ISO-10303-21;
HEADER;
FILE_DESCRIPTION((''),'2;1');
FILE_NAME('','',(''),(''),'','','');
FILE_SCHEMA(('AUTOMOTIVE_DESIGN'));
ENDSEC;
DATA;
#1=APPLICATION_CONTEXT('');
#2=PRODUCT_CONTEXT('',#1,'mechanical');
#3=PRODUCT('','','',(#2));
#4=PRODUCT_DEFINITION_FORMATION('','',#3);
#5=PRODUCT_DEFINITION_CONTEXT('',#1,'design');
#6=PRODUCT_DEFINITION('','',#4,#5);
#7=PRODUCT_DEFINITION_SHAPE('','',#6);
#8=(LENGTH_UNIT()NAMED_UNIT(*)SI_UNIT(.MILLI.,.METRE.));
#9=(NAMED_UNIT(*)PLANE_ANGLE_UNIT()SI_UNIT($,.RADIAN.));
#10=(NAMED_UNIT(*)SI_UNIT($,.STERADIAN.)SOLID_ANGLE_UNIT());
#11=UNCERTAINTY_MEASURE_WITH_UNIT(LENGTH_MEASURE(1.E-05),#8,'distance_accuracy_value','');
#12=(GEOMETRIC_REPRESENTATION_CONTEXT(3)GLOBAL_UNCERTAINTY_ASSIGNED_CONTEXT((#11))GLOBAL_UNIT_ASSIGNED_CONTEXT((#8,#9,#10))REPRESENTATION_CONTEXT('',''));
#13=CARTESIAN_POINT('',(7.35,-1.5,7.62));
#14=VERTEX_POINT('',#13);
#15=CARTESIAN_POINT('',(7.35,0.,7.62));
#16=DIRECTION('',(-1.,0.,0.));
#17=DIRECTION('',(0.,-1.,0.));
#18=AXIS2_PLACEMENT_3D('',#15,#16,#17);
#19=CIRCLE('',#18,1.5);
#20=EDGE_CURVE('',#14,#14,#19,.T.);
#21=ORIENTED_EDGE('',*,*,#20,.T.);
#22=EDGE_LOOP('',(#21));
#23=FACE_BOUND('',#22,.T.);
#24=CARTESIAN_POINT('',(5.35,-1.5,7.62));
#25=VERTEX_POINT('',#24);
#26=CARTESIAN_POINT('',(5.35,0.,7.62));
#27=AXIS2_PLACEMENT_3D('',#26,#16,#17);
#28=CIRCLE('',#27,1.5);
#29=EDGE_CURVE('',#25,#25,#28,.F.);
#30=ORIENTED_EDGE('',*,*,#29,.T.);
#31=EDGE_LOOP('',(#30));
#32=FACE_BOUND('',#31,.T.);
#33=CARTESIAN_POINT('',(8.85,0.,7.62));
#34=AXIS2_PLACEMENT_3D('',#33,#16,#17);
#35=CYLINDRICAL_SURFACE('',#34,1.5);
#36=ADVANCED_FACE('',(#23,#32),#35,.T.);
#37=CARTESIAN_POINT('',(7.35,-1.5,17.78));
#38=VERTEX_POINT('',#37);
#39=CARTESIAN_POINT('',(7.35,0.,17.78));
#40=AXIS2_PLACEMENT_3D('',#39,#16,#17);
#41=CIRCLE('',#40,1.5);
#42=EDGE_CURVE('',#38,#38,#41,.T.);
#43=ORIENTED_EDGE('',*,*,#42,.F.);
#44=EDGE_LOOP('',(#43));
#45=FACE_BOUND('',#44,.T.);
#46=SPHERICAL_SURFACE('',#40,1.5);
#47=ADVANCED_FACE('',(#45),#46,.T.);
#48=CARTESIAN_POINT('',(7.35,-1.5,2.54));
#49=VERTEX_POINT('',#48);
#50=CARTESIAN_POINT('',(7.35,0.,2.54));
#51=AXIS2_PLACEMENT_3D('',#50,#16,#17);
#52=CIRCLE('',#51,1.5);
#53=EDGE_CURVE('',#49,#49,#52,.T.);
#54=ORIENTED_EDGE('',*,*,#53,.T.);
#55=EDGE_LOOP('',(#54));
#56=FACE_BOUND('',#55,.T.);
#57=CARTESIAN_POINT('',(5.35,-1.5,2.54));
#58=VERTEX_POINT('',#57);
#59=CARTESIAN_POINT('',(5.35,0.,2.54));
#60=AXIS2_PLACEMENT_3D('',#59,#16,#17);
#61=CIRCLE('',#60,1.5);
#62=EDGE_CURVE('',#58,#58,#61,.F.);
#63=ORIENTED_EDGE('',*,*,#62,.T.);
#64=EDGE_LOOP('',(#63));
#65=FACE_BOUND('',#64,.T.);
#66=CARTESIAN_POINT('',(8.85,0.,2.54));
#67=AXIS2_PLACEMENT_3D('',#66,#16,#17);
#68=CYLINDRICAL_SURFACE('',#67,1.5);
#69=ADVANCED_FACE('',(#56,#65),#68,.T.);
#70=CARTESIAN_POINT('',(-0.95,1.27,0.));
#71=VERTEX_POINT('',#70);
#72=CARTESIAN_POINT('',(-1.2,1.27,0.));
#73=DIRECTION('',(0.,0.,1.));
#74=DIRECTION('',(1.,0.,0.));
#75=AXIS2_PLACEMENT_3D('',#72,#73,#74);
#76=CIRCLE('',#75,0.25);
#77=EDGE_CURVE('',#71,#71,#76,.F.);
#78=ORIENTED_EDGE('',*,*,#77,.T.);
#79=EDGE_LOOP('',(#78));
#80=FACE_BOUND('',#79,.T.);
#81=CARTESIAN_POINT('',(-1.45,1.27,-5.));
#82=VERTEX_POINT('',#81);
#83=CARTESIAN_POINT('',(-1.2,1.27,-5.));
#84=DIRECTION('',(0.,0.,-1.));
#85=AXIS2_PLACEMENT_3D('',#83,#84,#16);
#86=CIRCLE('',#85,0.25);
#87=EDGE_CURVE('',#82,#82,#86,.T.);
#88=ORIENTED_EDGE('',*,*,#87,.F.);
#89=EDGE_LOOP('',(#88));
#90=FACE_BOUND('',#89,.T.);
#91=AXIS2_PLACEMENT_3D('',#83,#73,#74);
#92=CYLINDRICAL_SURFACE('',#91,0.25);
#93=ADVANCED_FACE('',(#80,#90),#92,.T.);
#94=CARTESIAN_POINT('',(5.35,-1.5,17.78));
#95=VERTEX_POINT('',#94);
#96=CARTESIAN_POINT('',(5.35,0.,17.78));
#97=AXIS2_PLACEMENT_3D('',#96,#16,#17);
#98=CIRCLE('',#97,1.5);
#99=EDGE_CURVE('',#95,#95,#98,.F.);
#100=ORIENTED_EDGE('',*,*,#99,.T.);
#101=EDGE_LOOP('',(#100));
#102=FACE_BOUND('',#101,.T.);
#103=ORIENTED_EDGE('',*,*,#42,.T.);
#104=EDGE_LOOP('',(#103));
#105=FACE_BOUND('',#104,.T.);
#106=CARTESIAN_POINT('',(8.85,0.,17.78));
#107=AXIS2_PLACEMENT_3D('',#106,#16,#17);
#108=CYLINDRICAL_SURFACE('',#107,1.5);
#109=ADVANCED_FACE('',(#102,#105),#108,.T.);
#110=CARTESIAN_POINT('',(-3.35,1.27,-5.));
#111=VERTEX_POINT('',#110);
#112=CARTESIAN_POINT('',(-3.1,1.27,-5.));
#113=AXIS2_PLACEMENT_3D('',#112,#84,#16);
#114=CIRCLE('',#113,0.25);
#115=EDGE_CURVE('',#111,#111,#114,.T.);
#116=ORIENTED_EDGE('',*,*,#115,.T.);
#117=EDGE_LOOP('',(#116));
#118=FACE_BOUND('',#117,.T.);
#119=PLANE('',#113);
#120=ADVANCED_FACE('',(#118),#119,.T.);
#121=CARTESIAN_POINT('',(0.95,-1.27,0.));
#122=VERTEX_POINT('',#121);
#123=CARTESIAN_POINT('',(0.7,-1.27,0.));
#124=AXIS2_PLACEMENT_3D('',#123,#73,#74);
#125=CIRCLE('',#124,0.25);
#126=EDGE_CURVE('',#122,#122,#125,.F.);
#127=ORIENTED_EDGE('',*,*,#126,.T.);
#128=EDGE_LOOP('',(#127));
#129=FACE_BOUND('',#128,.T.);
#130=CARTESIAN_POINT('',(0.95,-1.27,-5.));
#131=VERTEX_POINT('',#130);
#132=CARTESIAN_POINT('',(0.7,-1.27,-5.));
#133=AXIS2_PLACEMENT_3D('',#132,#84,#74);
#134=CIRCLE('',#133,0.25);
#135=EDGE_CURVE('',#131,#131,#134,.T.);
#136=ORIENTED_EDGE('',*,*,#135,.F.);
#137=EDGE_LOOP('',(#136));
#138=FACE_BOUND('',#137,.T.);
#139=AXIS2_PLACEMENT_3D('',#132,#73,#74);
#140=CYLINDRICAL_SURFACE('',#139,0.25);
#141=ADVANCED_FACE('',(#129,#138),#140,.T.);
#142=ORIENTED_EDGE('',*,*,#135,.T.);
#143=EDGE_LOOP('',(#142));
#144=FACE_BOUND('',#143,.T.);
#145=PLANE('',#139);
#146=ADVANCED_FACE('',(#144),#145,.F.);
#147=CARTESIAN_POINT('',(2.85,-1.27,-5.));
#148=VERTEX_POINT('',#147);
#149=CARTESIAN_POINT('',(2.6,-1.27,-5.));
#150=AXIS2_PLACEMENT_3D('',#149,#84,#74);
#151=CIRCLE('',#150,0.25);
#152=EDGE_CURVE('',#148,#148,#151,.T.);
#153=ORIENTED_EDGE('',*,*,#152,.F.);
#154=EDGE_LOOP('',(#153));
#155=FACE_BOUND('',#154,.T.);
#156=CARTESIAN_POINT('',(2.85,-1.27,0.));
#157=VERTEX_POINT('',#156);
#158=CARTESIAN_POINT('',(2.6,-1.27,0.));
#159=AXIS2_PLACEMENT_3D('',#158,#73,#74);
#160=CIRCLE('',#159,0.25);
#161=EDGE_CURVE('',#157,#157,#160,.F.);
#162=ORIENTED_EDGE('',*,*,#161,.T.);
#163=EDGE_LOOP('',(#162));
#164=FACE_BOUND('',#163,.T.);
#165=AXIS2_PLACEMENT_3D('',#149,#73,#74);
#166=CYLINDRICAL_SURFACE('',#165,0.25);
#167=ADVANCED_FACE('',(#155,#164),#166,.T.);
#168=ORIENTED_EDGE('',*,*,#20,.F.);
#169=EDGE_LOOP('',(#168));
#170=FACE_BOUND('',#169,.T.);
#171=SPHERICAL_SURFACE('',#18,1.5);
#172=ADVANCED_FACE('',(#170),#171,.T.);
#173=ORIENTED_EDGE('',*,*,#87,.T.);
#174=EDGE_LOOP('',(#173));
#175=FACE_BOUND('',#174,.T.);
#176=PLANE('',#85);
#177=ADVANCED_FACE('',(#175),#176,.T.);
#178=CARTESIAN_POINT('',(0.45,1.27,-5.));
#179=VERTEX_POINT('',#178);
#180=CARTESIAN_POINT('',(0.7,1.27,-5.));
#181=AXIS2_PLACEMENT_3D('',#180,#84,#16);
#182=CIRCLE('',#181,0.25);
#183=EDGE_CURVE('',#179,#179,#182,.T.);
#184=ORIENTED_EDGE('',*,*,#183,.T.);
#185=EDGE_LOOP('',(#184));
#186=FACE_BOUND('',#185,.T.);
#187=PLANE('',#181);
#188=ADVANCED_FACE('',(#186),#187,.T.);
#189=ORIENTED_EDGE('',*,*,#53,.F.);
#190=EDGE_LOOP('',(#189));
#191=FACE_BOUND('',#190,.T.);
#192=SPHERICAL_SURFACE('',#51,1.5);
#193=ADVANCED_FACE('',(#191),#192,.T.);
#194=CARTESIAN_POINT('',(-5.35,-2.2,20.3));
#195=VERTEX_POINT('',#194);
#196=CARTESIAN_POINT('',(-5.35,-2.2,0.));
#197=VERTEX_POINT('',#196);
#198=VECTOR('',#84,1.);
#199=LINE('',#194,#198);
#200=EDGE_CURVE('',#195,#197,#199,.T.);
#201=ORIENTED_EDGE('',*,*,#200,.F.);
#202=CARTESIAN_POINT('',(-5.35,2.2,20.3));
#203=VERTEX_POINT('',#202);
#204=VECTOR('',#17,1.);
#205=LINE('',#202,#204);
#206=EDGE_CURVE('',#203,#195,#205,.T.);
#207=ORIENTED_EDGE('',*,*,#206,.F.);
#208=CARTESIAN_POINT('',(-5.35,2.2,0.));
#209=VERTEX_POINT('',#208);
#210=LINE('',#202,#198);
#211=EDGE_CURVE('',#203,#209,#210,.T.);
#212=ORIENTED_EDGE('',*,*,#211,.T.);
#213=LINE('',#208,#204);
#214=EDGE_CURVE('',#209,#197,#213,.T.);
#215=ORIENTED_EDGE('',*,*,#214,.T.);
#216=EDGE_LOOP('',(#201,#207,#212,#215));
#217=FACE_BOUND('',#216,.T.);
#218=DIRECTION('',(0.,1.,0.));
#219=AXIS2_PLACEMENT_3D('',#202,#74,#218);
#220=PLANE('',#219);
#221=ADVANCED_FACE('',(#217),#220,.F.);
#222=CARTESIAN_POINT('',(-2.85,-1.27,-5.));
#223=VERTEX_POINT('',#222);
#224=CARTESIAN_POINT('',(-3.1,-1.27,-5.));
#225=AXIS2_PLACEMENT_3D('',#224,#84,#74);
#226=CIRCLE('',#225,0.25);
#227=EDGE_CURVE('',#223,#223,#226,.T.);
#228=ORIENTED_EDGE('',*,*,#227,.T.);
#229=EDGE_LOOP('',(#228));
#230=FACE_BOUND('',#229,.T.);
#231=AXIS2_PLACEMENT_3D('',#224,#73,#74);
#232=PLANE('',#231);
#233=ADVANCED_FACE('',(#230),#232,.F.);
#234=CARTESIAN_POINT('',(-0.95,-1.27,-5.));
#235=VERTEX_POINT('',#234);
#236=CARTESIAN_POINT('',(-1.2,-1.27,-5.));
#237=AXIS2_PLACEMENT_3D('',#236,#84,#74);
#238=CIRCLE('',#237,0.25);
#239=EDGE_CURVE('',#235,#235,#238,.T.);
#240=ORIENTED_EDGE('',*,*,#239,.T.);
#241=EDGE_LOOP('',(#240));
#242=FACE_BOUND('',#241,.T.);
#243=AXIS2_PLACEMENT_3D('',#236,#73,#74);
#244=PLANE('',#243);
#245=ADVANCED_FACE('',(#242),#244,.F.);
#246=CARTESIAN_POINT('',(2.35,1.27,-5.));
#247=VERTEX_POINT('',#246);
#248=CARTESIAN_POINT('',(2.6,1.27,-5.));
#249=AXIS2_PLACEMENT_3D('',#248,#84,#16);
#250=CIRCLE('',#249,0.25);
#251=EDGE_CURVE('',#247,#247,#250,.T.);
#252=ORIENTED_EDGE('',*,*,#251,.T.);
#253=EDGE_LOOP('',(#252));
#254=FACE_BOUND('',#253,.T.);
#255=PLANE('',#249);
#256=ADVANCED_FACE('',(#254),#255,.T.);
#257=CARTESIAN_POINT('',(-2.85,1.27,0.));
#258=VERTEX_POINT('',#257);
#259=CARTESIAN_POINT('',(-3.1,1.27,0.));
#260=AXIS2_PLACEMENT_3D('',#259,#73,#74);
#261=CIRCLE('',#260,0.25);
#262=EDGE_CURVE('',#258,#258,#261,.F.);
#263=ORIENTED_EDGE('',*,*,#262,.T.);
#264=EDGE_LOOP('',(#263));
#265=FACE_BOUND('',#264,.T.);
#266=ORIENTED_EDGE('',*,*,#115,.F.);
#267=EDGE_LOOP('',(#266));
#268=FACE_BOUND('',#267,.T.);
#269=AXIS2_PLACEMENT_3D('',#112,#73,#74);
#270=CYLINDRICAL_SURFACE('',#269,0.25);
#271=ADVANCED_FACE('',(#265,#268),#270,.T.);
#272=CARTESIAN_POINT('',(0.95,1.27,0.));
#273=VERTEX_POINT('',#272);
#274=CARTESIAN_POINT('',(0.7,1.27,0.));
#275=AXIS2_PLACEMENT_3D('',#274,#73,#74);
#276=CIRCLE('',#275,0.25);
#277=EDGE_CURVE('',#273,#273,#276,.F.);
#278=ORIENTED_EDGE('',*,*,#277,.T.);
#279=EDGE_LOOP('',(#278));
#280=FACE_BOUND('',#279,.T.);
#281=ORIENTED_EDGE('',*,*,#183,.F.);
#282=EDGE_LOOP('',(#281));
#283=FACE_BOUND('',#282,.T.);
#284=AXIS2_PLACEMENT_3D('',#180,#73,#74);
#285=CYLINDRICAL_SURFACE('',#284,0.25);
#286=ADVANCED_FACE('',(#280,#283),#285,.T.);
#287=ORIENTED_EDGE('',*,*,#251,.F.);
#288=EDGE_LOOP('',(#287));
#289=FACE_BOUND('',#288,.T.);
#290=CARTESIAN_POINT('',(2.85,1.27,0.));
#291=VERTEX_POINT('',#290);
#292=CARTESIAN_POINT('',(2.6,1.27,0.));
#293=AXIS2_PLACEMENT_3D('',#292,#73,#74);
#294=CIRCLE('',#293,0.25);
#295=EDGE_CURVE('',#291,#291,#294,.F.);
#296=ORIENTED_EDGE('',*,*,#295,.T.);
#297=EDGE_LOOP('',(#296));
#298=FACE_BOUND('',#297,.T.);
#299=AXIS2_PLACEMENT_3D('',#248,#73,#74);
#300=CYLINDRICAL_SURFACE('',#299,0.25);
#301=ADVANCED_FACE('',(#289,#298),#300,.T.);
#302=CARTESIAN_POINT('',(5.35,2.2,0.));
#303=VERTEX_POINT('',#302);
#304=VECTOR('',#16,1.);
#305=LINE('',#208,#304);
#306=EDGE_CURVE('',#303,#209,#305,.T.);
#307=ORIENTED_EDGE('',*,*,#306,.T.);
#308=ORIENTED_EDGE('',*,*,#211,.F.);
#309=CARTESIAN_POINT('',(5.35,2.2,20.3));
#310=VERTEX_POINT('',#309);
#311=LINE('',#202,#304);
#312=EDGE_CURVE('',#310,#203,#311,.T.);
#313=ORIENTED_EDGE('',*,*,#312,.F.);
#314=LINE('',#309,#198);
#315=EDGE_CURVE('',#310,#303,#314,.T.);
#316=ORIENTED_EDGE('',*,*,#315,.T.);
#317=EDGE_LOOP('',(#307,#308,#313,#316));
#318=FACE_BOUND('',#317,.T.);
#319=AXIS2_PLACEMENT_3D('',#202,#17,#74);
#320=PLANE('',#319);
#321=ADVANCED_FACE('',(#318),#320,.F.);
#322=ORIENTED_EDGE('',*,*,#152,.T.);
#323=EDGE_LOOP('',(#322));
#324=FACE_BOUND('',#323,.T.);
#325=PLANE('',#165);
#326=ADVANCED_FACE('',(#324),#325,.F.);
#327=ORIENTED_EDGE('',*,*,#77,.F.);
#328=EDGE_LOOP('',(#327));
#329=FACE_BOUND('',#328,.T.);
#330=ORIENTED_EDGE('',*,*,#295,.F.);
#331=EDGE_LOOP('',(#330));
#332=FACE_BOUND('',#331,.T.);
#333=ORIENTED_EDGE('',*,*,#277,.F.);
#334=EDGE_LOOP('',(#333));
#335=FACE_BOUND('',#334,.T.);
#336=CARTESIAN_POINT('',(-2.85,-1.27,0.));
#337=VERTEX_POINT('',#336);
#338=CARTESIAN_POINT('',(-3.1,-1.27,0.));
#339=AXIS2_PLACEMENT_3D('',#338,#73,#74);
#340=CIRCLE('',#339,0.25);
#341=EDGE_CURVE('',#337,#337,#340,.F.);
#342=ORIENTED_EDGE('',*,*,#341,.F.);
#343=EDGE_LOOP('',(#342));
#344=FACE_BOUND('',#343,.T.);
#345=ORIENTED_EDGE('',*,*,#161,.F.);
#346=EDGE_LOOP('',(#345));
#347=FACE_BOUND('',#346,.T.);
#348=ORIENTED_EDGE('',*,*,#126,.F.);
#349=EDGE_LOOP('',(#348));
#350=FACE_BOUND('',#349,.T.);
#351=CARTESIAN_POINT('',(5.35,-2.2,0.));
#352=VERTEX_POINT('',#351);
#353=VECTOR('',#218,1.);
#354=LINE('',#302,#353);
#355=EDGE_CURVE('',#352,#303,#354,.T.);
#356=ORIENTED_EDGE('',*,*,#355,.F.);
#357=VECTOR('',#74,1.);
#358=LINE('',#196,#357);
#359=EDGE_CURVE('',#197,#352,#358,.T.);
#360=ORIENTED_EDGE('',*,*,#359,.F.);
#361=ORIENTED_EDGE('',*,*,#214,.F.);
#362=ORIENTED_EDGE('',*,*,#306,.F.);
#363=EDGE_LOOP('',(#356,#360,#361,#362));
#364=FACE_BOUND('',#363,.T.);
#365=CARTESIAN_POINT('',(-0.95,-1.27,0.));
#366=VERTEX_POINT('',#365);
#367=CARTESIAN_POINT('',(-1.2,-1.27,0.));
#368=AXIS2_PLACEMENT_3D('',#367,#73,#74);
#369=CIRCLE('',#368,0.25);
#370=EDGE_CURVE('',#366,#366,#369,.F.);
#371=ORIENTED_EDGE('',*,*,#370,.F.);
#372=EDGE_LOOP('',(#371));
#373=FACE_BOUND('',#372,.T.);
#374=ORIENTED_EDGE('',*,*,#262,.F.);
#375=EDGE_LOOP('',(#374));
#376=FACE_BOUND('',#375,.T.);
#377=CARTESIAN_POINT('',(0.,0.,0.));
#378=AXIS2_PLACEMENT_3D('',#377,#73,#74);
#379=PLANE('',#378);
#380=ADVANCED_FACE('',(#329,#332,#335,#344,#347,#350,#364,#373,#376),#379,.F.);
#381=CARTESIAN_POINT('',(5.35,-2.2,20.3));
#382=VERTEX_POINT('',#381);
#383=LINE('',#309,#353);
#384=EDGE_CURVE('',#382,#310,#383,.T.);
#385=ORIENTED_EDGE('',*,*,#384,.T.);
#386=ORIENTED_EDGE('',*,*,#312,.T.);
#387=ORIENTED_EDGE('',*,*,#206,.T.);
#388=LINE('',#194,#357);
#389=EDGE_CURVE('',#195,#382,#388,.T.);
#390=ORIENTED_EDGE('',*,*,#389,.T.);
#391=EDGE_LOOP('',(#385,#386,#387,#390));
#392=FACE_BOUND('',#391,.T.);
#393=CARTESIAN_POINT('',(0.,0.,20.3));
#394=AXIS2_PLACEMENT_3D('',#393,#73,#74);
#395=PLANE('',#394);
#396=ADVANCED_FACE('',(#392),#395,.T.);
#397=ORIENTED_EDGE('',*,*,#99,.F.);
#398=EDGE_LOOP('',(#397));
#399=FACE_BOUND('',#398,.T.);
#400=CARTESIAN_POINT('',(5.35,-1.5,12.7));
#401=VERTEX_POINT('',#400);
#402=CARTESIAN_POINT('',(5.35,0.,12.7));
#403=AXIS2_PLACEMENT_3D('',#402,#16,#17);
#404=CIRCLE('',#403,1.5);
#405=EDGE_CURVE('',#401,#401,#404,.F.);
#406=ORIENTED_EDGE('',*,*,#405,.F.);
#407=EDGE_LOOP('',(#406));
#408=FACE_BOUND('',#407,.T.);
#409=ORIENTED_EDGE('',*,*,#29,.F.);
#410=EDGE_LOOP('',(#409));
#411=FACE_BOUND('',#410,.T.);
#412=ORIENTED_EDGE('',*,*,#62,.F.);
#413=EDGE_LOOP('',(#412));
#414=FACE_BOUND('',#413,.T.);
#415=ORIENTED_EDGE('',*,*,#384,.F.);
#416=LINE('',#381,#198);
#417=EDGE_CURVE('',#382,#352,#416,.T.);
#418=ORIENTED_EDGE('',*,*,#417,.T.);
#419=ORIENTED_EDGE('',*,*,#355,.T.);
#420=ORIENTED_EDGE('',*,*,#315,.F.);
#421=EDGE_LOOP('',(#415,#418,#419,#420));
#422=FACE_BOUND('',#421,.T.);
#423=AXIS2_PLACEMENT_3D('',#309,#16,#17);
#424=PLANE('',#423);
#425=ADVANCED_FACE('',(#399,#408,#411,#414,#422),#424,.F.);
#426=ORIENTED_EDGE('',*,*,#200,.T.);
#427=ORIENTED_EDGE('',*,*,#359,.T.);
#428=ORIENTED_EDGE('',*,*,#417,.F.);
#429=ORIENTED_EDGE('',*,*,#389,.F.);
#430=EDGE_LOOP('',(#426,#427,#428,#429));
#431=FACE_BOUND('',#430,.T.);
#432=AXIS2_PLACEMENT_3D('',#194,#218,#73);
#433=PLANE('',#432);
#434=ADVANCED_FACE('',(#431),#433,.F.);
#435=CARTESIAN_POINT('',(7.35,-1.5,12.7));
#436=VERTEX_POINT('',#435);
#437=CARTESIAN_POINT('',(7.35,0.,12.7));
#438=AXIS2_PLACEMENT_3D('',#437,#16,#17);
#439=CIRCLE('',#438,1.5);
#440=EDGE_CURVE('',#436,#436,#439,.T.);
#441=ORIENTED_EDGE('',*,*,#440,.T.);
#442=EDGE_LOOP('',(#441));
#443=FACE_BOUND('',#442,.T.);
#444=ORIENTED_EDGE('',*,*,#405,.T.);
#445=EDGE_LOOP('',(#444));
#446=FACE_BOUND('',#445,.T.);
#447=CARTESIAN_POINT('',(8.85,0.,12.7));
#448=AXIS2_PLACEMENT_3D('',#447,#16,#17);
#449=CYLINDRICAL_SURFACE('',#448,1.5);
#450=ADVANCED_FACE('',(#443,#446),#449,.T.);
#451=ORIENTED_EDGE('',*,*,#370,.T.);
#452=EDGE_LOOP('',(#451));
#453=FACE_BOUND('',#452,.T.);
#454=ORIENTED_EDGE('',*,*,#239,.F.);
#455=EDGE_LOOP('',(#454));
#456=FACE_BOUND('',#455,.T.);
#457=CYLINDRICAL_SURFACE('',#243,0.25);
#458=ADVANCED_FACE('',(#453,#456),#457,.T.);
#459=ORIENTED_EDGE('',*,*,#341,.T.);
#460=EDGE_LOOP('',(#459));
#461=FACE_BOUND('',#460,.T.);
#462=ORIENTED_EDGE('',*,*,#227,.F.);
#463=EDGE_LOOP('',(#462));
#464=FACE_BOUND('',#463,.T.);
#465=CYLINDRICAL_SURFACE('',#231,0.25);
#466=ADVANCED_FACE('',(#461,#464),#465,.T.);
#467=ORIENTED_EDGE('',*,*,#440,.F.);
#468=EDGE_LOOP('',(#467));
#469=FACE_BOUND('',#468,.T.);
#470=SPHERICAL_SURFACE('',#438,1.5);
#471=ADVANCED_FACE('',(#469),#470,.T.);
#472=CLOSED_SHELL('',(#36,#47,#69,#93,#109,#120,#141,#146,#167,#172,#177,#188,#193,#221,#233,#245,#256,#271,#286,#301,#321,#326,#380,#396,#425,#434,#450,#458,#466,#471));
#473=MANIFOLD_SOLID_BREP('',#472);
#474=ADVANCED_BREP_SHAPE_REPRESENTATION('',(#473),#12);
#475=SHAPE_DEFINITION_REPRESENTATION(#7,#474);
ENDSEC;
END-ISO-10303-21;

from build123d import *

# Parameters (mm, degrees)
SKETCH_1_W      = 10.7
SKETCH_1_H      = 4.4
EXTRUDE_1_DEPTH = 20.3
SKETCH_2_R      = 0.25
EXTRUDE_2_DEPTH = 5
SKETCH_3_R      = 1.5
EXTRUDE_3_DEPTH = 3.5
FILLET_1_R      = 1.5


with BuildPart() as part:
    # 草图1 → 凸台-拉伸1 (new body)
    with BuildSketch(Plane.XY):
        Rectangle(SKETCH_1_W, SKETCH_1_H)
    extrude(amount=EXTRUDE_1_DEPTH)

    # 草图2 → 凸台-拉伸2 (add)
    with BuildSketch(Plane(origin=(0, 0, 0), x_dir=(-1, 0, 0), z_dir=(0, 0, -1))):
        with Locations(Location((-2.6, 1.27, 0), (0, 0, 180))):
            Circle(SKETCH_2_R)
        with Locations(Location((-0.7, 1.27, 0), (0, 0, 180))):
            Circle(SKETCH_2_R)
        with Locations(Location((1.2, 1.27, 0), (0, 0, 180))):
            Circle(SKETCH_2_R)
        with Locations(Location((3.1, 1.27, 0), (0, 0, 180))):
            Circle(SKETCH_2_R)
        with Locations(Location((3.1, -1.27, 0), (0, 0, 180))):
            Circle(SKETCH_2_R)
        with Locations(Location((1.2, -1.27, 0), (0, 0, 180))):
            Circle(SKETCH_2_R)
        with Locations(Location((-0.7, -1.27, 0), (0, 0, 180))):
            Circle(SKETCH_2_R)
        with Locations(Location((-2.6, -1.27, 0), (0, 0, 180))):
            Circle(SKETCH_2_R)
    extrude(amount=EXTRUDE_2_DEPTH)

    # 草图3 → 凸台-拉伸3 (add)
    with BuildSketch(Plane(origin=(5.35, 0, 0), x_dir=(0, 0, -1), z_dir=(1, 0, 0))):
        with Locations(Location((-2.54, 0, 0), (0, 0, 270))):
            Circle(SKETCH_3_R)
        with Locations(Location((-7.62, 0, 0), (0, 0, 270))):
            Circle(SKETCH_3_R)
        with Locations(Location((-12.7, 0, 0), (0, 0, 270))):
            Circle(SKETCH_3_R)
        with Locations(Location((-17.78, 0, 0), (0, 0, 270))):
            Circle(SKETCH_3_R)
    extrude(amount=EXTRUDE_3_DEPTH)

    # 圆角1
    fillet_1_edges = [part.edges().sort_by_distance(p)[0] for p in [
        (8.85, 1.5, 2.54),
        (8.85, 1.5, 7.62),
        (8.85, 1.5, 12.7),
        (8.85, 1.5, 17.78),
    ]]
    fillet(fillet_1_edges, radius=FILLET_1_R)


solid = part.part
